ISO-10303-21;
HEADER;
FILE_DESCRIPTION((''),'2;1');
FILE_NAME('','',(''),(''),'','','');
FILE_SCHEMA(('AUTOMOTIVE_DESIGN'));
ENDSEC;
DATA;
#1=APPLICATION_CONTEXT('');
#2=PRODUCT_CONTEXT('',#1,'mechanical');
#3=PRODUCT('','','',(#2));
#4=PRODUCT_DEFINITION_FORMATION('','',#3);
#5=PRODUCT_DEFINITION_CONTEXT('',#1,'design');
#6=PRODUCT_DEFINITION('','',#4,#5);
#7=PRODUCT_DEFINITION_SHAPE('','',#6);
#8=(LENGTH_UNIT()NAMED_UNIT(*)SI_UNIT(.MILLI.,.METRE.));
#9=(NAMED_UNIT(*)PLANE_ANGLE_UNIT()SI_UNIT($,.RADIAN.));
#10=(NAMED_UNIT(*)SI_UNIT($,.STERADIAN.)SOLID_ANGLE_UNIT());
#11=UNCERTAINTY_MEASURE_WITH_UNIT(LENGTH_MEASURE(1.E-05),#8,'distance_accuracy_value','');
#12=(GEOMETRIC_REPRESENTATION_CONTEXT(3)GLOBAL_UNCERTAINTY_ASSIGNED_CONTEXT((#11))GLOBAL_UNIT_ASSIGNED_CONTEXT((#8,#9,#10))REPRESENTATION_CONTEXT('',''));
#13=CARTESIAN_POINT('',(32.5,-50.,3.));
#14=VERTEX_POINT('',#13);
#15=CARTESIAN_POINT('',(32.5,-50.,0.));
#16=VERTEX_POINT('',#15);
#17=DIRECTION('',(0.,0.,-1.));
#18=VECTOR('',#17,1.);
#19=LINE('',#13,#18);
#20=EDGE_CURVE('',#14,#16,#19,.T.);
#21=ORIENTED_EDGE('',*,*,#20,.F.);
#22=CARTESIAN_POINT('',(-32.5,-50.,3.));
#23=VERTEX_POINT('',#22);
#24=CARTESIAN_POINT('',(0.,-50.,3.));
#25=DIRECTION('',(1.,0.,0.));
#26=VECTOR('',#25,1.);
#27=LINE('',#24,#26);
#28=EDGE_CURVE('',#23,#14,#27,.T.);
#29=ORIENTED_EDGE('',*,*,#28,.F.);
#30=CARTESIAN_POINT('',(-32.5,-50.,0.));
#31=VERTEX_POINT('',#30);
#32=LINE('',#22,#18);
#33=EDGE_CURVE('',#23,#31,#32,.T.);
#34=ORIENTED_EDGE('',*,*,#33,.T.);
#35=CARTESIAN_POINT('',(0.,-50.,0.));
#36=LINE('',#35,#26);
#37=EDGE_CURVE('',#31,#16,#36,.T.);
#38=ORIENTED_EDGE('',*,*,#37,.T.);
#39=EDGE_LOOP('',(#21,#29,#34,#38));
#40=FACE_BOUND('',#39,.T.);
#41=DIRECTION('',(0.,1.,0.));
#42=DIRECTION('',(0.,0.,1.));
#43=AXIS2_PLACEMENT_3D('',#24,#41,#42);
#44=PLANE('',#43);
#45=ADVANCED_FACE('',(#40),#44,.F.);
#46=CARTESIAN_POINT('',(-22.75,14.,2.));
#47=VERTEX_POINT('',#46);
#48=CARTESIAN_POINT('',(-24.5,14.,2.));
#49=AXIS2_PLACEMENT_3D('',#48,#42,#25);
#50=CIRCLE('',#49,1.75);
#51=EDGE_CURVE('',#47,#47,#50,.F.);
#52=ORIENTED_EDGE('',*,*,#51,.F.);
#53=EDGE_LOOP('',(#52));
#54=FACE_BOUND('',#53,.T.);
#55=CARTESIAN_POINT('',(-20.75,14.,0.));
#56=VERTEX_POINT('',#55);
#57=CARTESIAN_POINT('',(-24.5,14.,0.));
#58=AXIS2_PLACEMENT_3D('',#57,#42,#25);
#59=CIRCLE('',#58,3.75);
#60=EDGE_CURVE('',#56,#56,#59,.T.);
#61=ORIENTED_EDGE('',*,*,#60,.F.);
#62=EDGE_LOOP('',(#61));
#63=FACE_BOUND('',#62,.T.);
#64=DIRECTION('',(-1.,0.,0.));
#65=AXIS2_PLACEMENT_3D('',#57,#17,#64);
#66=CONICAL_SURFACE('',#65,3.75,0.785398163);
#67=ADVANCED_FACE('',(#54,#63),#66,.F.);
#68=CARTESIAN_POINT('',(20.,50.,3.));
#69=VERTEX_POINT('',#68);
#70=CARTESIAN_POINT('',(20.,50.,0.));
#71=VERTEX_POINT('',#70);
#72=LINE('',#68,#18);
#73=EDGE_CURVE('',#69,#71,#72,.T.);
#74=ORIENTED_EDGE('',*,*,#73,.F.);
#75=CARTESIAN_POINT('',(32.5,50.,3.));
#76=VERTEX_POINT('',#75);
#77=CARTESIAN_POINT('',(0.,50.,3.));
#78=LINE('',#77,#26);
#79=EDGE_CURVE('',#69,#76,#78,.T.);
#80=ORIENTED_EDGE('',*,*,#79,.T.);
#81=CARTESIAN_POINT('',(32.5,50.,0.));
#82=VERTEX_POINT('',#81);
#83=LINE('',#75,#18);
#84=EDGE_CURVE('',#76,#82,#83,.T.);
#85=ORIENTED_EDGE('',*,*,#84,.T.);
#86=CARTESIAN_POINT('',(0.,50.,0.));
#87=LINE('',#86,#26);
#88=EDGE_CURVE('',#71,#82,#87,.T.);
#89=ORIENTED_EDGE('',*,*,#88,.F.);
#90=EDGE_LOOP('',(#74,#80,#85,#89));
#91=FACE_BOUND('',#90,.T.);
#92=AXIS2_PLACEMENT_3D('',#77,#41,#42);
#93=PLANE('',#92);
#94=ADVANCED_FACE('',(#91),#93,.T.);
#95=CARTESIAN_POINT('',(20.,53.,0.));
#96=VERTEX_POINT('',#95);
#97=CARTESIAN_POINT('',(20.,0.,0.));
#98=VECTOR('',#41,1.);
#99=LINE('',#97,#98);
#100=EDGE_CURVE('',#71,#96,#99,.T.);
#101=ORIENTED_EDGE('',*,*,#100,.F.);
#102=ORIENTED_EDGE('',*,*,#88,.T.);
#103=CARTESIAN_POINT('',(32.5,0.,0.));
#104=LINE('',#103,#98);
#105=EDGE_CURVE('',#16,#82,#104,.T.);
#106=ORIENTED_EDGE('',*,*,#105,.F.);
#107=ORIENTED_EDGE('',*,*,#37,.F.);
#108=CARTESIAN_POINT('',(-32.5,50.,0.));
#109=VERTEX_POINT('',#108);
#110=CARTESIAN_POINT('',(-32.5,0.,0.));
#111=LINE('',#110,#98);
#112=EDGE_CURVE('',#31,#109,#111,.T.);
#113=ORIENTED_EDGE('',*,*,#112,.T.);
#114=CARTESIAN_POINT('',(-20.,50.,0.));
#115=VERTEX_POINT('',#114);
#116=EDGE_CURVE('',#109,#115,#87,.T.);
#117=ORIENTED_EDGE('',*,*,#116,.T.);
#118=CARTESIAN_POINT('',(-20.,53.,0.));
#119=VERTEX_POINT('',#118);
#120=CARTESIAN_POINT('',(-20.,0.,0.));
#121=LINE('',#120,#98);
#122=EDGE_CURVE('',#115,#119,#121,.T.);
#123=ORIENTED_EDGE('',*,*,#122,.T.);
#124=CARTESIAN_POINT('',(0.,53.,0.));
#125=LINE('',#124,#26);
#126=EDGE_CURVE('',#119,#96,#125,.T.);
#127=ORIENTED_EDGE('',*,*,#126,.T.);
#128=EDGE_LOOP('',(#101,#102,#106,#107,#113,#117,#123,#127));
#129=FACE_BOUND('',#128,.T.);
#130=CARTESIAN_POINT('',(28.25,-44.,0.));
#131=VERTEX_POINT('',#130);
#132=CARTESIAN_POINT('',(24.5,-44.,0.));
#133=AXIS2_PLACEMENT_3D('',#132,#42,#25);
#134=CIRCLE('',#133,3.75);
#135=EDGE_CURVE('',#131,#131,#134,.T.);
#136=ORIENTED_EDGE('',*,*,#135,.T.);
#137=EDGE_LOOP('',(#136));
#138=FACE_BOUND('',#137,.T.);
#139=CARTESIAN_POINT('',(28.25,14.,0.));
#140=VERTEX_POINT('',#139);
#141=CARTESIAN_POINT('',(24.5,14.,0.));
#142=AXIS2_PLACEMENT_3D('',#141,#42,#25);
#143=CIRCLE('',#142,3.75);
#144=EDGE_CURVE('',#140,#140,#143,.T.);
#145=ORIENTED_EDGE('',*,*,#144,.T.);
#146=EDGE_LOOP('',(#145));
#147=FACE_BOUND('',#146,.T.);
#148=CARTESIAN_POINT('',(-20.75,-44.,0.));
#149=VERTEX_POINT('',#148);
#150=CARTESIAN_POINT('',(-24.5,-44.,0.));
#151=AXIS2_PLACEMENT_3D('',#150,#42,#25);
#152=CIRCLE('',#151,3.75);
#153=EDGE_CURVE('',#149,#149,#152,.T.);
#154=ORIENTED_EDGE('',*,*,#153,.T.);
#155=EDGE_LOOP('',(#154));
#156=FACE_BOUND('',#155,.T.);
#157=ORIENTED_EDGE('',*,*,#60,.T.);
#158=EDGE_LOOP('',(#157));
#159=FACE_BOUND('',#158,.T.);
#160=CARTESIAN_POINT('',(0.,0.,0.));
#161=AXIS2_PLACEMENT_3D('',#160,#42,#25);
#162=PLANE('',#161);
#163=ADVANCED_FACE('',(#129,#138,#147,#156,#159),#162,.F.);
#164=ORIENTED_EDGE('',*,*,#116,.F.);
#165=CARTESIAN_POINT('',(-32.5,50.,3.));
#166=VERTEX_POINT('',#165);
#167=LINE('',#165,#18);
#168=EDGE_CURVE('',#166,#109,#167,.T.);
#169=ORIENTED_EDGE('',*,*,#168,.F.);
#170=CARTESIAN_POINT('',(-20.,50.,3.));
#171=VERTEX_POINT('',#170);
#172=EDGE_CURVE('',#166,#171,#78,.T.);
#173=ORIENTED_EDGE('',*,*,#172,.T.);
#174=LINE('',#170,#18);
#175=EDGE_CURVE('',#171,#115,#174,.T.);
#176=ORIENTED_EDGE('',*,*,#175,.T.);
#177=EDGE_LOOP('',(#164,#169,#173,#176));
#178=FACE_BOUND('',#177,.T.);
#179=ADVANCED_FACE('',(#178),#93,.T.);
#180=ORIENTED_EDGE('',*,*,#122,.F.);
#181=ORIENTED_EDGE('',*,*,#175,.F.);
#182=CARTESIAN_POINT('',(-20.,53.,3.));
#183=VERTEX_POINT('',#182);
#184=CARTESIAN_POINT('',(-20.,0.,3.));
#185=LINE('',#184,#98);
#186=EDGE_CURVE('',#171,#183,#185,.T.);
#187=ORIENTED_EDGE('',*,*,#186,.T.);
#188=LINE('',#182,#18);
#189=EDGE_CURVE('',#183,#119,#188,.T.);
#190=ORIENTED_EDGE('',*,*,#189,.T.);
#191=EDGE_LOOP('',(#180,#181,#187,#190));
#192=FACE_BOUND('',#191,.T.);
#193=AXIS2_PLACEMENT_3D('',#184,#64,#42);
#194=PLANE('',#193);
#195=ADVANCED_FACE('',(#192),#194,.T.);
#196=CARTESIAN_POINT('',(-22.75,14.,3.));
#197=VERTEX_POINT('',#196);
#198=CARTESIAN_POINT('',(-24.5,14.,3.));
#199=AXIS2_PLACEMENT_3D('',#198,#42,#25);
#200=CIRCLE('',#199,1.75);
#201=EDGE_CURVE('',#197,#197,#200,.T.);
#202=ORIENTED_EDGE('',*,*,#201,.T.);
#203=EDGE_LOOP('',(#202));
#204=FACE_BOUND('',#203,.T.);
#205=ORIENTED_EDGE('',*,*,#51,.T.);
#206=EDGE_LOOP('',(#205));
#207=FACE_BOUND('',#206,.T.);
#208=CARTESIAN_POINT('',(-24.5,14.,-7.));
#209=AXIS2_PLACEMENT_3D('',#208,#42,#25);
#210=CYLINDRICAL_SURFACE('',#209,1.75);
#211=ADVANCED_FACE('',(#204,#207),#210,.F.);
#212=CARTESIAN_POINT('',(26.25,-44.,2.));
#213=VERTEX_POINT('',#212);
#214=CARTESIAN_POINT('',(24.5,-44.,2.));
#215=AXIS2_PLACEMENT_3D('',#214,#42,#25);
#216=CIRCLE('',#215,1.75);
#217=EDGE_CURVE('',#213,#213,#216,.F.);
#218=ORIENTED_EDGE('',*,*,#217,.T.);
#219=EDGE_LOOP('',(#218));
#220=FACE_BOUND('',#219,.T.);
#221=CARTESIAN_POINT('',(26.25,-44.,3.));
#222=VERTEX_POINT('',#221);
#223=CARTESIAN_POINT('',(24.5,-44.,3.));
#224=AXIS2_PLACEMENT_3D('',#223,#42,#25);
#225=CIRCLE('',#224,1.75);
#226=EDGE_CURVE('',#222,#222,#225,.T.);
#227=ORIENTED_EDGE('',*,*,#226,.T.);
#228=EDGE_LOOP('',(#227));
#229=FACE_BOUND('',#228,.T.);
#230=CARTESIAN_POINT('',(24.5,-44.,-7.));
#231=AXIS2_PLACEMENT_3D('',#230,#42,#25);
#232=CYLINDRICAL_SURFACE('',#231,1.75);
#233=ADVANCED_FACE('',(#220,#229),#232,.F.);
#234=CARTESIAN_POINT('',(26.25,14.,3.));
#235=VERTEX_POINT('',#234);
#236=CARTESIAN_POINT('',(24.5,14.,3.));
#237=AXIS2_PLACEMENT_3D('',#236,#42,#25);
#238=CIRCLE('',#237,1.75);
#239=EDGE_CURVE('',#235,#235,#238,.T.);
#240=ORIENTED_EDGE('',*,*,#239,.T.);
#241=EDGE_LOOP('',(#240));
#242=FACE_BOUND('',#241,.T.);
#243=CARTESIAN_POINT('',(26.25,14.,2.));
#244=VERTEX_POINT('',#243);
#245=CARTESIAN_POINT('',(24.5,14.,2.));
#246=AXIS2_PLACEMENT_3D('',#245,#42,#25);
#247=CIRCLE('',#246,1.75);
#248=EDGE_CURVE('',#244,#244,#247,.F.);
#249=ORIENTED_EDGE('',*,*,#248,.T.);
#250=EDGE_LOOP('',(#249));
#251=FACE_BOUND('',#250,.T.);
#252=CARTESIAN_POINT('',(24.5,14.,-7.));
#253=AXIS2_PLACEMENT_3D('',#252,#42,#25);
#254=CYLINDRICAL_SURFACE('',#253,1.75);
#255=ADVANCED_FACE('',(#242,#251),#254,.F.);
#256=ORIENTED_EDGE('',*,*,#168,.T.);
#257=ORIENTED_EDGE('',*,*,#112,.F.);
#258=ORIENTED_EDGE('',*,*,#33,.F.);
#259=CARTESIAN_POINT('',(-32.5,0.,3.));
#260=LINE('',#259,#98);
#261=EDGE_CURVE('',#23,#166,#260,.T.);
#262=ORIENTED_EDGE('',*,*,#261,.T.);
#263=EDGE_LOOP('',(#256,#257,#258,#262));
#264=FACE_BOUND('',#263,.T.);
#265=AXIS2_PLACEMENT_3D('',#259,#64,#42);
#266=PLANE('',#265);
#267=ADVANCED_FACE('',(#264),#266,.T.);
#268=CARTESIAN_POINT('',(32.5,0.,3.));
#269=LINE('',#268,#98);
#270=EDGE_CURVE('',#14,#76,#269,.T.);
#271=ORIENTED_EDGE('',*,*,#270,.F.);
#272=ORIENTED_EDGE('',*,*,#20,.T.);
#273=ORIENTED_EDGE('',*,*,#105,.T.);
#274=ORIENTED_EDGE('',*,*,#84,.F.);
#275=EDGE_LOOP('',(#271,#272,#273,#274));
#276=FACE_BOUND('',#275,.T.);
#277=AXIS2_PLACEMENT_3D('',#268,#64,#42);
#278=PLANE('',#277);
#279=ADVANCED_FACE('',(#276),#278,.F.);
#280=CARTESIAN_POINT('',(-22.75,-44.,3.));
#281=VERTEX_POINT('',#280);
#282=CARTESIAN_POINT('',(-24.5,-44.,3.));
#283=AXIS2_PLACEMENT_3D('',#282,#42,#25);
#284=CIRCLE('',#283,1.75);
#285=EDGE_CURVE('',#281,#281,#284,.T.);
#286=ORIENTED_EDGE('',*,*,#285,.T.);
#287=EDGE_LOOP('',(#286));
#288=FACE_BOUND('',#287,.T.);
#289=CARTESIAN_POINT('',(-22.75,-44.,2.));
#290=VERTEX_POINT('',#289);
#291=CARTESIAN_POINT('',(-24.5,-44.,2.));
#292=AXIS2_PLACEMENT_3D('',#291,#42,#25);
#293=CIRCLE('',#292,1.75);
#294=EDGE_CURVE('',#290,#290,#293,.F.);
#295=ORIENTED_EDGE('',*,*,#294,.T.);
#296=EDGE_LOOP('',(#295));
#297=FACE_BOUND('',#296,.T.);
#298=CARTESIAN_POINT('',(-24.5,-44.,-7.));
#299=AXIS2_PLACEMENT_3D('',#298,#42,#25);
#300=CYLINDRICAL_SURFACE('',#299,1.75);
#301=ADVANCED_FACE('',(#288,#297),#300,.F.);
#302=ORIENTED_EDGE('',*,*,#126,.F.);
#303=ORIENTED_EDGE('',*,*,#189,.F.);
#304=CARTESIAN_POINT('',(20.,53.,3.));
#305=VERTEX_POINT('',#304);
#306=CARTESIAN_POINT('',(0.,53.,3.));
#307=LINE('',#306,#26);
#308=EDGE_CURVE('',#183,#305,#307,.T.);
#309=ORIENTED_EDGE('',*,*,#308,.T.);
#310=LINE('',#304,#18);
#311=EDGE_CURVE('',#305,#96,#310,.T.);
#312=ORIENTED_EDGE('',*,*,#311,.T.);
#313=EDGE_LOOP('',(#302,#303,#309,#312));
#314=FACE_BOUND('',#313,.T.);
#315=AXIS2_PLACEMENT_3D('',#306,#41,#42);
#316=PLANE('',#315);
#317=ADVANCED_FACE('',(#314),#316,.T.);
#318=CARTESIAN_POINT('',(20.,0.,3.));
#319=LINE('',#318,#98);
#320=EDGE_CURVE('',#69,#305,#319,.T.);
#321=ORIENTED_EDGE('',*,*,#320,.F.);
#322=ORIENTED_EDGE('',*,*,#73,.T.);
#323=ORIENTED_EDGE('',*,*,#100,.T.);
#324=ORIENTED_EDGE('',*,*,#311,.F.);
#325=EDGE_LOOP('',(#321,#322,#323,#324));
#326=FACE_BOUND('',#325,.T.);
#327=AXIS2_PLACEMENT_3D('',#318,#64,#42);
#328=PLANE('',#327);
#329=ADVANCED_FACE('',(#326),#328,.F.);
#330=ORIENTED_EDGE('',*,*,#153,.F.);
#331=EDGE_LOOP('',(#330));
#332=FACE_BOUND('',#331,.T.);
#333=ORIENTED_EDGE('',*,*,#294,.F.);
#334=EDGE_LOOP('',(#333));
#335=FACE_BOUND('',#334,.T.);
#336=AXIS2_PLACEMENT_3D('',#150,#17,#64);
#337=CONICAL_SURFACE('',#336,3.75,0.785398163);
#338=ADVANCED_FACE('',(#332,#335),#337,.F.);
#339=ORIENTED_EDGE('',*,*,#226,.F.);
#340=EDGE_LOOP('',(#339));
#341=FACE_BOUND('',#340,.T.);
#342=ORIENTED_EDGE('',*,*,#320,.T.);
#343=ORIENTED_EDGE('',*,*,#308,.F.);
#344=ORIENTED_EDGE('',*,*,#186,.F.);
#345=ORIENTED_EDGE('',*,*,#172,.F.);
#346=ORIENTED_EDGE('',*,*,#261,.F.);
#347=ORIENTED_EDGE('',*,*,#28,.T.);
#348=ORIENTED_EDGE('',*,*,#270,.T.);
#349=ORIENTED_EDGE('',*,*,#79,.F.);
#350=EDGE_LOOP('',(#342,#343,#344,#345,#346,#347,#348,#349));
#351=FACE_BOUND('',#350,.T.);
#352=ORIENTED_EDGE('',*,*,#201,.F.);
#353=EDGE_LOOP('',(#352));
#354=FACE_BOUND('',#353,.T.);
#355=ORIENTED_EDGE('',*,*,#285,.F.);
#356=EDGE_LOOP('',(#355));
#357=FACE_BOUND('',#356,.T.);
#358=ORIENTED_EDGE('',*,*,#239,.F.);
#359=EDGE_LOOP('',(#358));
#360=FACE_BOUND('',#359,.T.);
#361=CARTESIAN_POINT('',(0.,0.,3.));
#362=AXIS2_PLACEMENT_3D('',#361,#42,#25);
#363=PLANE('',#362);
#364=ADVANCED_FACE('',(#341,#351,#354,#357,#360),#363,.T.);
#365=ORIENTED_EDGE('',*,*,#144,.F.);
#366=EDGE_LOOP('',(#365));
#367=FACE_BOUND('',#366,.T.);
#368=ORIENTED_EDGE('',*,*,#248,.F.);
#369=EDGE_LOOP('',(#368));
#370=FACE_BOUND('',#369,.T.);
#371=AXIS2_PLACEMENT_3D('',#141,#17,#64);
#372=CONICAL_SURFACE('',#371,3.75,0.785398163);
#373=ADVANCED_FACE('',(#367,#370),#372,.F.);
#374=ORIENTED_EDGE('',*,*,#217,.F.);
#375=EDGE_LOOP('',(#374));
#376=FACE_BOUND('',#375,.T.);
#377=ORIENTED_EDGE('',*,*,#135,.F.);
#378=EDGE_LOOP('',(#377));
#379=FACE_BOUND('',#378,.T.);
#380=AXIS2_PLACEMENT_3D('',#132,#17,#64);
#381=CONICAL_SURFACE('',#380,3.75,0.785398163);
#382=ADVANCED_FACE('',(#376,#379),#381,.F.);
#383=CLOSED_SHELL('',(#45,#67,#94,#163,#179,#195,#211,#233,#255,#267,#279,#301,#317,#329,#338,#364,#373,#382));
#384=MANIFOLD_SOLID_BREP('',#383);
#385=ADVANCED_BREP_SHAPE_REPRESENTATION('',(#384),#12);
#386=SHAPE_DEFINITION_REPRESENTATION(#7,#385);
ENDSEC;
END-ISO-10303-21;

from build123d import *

# Parameters (mm, degrees)
SKETCH_1_W          = 40
SKETCH_1_H          = 3
EXTRUDE_1_DEPTH     = 3
SKETCH_2_R          = 1.75
CUT_EXTRUDE_1_DEPTH = 10
CHAMFER_1_SIZE      = 2


with BuildPart() as part:
    # Эскиз1 → Бобышка-Вытянуть1 (new body)
    with BuildSketch(Plane.XY):
        Polygon((-32.5, 50), (-32.5, -50), (32.5, -50), (32.5, 50), (20, 50), (20, 47), (-20, 47), (-20, 50), align=None)
        with Locations((0, 48.5)):
            Rectangle(SKETCH_1_W, SKETCH_1_H)
        with Locations((0, 51.5)):
            Rectangle(SKETCH_1_W, SKETCH_1_H)
    extrude(amount=EXTRUDE_1_DEPTH)

    # Эскиз2 → Вырез-Вытянуть1 (cut)
    with BuildSketch(Plane.XY.offset(3)):
        with Locations((-24.5, 14)):
            Circle(SKETCH_2_R)
        with Locations((24.5, 14)):
            Circle(SKETCH_2_R)
        with Locations((24.5, -44)):
            Circle(SKETCH_2_R)
        with Locations((-24.5, -44)):
            Circle(SKETCH_2_R)
    extrude(amount=-CUT_EXTRUDE_1_DEPTH, mode=Mode.SUBTRACT)

    # Фаска1
    chamfer_1_edges = [part.edges().sort_by_distance(p)[0] for p in [
        (-26.25, -44, 0),
        (22.75, -44, 0),
        (22.75, 14, 0),
        (-26.25, 14, 0),
    ]]
    chamfer(chamfer_1_edges, length=CHAMFER_1_SIZE)


solid = part.part
